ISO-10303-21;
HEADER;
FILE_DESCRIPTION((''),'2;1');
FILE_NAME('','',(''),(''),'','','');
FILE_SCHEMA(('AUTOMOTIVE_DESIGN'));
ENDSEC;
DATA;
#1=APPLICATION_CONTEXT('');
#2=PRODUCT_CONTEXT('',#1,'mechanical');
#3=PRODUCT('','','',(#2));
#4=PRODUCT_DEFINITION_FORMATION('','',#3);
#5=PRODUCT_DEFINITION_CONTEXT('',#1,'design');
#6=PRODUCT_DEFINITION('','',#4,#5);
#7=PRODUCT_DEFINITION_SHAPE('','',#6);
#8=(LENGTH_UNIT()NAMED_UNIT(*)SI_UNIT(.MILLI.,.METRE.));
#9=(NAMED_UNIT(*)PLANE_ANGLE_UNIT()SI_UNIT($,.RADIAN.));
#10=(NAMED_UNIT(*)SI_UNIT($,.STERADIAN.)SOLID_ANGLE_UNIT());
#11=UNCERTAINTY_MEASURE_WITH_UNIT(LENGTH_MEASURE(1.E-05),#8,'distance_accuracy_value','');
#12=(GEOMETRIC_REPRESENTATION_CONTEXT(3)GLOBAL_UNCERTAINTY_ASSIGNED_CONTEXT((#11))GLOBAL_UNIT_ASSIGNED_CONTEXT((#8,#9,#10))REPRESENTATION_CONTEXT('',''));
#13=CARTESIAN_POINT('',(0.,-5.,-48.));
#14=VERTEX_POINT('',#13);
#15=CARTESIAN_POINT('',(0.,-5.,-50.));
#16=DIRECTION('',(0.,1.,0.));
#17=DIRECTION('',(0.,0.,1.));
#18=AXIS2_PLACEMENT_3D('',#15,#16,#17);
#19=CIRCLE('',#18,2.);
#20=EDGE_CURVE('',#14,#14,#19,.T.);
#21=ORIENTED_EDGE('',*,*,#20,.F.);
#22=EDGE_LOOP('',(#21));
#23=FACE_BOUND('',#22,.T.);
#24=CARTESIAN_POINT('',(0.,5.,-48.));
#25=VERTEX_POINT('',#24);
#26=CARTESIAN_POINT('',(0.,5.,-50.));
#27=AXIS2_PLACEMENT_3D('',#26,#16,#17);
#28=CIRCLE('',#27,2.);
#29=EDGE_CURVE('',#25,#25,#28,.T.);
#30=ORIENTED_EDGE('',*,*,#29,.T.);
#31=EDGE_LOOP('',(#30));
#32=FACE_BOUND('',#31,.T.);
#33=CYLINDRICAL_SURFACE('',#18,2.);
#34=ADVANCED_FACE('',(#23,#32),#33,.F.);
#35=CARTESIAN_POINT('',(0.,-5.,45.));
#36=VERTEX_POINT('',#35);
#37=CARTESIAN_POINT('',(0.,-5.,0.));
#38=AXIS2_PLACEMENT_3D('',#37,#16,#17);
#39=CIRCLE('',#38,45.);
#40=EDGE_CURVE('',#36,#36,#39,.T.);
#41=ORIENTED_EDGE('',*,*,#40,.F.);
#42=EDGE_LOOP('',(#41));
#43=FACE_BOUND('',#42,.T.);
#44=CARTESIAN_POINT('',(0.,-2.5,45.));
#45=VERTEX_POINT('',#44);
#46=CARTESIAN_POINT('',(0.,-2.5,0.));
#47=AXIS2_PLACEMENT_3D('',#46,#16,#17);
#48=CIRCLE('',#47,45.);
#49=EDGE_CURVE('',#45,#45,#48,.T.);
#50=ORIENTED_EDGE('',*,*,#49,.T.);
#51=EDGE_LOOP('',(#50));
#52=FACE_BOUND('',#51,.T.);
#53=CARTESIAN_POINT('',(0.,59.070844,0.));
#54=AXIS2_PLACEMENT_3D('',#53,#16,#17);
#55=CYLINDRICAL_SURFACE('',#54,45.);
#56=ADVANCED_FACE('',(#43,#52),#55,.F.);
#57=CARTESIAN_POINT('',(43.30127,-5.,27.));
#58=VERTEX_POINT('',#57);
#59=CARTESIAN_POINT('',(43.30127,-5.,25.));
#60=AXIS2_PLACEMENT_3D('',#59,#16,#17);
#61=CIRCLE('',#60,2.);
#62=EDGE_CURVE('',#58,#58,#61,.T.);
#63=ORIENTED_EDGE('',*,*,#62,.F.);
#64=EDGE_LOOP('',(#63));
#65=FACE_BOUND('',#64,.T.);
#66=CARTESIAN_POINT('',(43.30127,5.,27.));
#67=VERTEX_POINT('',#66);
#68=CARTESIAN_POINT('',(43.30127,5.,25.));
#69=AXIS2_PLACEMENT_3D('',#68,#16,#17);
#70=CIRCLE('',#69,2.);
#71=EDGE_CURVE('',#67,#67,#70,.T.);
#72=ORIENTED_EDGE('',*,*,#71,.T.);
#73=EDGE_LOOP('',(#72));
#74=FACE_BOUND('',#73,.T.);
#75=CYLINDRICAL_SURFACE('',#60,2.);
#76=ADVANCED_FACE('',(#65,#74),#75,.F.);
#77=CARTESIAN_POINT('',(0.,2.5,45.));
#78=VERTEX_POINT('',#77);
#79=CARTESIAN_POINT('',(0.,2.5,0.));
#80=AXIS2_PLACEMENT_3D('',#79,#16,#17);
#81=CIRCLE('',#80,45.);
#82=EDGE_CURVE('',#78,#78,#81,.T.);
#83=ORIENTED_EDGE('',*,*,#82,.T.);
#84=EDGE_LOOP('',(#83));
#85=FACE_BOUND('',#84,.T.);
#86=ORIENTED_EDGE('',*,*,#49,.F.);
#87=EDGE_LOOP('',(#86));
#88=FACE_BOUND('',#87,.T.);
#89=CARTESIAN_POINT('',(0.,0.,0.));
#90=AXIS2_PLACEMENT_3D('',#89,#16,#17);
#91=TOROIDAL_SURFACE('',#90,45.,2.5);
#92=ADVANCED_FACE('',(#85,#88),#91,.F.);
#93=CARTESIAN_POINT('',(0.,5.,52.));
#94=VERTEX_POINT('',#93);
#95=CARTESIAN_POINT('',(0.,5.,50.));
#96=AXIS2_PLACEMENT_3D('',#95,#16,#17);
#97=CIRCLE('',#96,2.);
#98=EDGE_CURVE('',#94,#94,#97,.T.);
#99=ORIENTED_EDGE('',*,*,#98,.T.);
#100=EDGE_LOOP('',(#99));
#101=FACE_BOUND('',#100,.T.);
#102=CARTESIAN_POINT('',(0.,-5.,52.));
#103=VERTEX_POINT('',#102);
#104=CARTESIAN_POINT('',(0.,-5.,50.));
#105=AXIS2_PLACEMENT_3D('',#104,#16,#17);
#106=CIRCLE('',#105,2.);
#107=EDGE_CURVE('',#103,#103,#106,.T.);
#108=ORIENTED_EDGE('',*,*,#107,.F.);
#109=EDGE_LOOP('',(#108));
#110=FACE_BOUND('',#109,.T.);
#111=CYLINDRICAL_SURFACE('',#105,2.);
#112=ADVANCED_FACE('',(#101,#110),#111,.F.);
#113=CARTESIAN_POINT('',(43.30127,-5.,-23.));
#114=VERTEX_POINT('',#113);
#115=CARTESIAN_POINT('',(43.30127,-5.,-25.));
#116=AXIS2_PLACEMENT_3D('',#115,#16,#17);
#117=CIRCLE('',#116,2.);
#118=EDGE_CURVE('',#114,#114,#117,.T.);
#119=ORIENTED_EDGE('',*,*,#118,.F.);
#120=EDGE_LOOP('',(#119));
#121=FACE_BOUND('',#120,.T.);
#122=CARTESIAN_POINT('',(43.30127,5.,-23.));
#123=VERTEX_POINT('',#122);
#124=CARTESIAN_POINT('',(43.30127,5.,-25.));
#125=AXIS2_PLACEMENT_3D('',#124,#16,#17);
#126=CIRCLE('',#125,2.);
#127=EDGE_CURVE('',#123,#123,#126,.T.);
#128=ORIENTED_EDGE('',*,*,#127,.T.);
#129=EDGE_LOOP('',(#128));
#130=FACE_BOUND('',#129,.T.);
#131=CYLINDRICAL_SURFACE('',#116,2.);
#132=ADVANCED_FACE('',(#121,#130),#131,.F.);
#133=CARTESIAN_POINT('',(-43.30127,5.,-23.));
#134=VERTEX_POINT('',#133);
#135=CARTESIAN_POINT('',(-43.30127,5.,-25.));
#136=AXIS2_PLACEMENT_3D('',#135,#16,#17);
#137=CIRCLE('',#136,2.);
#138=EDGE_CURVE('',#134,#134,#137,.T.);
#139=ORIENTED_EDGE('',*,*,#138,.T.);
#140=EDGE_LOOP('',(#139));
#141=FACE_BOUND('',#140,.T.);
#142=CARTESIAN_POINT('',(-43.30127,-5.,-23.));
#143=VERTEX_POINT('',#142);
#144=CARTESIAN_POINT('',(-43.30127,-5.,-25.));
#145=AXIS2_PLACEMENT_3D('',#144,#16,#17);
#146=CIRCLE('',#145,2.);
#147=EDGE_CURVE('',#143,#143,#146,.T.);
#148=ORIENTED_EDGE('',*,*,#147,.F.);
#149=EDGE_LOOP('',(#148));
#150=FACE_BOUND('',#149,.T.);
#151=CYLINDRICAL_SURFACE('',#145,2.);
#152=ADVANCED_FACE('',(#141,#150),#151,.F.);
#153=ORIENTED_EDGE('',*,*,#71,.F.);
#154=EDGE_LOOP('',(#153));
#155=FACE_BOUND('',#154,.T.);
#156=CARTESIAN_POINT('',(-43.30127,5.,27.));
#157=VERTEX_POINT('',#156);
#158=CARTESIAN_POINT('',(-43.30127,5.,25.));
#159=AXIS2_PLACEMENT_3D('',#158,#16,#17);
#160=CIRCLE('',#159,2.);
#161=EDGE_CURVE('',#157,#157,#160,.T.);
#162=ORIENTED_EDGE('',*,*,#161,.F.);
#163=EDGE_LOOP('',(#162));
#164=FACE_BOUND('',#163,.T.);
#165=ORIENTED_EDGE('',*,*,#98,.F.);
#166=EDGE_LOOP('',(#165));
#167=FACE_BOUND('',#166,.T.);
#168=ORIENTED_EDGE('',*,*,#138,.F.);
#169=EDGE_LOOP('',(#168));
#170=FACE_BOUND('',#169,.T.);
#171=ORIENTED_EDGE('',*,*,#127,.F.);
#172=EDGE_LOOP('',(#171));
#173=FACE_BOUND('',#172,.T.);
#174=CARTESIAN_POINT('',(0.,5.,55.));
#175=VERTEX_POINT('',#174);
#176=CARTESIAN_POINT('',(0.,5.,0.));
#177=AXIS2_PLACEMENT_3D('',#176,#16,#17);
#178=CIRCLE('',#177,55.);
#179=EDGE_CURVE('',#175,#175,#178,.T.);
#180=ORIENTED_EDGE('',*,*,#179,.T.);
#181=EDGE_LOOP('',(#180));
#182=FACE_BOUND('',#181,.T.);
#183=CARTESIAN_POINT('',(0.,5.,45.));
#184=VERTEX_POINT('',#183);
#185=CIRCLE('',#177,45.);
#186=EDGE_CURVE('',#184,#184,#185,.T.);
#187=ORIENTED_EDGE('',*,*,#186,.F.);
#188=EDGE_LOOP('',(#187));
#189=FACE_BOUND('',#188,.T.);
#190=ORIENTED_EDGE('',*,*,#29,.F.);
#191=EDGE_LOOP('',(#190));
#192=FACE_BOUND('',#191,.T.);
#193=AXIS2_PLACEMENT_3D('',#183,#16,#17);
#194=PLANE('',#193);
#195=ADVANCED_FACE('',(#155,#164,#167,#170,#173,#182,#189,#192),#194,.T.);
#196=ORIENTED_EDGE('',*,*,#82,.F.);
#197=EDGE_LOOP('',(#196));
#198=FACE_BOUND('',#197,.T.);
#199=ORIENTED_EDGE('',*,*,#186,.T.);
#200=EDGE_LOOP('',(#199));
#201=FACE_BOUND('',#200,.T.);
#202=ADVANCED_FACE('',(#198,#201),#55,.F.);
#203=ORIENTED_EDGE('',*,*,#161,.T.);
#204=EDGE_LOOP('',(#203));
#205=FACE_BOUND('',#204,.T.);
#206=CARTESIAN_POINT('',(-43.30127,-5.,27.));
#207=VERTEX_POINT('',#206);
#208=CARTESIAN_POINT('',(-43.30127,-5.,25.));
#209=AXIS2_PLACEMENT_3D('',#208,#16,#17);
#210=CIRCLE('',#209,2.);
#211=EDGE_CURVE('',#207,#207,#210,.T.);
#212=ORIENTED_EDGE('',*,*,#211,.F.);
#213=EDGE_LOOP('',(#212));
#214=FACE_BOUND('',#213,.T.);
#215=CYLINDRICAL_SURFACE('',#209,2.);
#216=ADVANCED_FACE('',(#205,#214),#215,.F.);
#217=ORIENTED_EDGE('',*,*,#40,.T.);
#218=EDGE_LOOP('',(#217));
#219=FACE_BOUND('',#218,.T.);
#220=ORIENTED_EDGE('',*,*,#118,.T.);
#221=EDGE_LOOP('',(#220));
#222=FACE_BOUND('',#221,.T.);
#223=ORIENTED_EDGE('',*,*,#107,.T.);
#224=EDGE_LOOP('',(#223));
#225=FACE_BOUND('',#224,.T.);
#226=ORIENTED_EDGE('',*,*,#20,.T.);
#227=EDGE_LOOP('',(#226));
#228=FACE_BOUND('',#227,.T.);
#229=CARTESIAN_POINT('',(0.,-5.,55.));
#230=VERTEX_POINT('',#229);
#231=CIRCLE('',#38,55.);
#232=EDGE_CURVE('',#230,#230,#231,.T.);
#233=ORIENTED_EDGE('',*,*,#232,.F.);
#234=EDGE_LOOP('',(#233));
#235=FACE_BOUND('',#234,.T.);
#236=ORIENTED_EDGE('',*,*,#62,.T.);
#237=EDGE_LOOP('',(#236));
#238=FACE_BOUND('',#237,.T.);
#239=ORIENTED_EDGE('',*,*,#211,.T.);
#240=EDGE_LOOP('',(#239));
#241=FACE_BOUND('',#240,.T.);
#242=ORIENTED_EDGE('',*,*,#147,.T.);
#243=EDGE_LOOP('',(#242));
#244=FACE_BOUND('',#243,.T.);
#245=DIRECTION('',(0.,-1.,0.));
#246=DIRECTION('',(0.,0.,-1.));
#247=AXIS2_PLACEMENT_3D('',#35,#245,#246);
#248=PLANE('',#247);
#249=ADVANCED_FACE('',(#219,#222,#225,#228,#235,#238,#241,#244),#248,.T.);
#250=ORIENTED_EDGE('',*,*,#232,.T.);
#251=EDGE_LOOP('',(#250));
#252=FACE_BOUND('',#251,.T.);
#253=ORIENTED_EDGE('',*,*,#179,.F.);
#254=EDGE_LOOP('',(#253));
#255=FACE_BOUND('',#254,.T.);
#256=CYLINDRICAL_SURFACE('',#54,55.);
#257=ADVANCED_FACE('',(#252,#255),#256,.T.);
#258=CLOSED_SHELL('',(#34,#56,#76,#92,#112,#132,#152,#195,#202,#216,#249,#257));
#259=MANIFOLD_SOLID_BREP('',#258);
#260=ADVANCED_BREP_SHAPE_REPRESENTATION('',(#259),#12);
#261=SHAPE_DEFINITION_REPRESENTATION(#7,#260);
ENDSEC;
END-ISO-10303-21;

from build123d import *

# Parameters (mm, degrees)
CROQUIS2_R            = 2
CORTAR_EXTRUIR1_DEPTH = 10


with BuildPart() as part:
    # Croquis1 → Revolución1 (revolve)
    with BuildSketch(Plane(origin=(0, 0, 0), x_dir=(0, 0, -1), z_dir=(1, 0, 0))):
        with BuildLine():
            Line((-45, 2.5), (-45, 5))
            Line((-45, 5), (-55, 5))
            Line((-55, 5), (-55, -5))
            Line((-55, -5), (-45, -5))
            Line((-45, -5), (-45, -2.5))
            ThreePointArc((-45, -2.5), (-47.5, 0), (-45, 2.5))
        make_face()
    revolve(axis=Axis((0, 59.07084426, 0), (0, -1, 0)))

    # Croquis2 → Cortar-Extruir1 (cut)
    with BuildSketch(Plane(origin=(0, 5, 0), x_dir=(1, 0, 0), z_dir=(0, 1, 0))):
        with Locations(Location((0, 50, 0), (0, 0, 270))):
            Circle(CROQUIS2_R)
        with Locations(Location((43.301270189, 25, 0), (0, 0, 270))):
            Circle(CROQUIS2_R)
        with Locations(Location((43.301270189, -25, 0), (0, 0, 270))):
            Circle(CROQUIS2_R)
        with Locations(Location((0, -50, 0), (0, 0, 270))):
            Circle(CROQUIS2_R)
        with Locations(Location((-43.301270189, -25, 0), (0, 0, 270))):
            Circle(CROQUIS2_R)
        with Locations(Location((-43.301270189, 25, 0), (0, 0, 270))):
            Circle(CROQUIS2_R)
    extrude(amount=-CORTAR_EXTRUIR1_DEPTH, mode=Mode.SUBTRACT)


solid = part.part
